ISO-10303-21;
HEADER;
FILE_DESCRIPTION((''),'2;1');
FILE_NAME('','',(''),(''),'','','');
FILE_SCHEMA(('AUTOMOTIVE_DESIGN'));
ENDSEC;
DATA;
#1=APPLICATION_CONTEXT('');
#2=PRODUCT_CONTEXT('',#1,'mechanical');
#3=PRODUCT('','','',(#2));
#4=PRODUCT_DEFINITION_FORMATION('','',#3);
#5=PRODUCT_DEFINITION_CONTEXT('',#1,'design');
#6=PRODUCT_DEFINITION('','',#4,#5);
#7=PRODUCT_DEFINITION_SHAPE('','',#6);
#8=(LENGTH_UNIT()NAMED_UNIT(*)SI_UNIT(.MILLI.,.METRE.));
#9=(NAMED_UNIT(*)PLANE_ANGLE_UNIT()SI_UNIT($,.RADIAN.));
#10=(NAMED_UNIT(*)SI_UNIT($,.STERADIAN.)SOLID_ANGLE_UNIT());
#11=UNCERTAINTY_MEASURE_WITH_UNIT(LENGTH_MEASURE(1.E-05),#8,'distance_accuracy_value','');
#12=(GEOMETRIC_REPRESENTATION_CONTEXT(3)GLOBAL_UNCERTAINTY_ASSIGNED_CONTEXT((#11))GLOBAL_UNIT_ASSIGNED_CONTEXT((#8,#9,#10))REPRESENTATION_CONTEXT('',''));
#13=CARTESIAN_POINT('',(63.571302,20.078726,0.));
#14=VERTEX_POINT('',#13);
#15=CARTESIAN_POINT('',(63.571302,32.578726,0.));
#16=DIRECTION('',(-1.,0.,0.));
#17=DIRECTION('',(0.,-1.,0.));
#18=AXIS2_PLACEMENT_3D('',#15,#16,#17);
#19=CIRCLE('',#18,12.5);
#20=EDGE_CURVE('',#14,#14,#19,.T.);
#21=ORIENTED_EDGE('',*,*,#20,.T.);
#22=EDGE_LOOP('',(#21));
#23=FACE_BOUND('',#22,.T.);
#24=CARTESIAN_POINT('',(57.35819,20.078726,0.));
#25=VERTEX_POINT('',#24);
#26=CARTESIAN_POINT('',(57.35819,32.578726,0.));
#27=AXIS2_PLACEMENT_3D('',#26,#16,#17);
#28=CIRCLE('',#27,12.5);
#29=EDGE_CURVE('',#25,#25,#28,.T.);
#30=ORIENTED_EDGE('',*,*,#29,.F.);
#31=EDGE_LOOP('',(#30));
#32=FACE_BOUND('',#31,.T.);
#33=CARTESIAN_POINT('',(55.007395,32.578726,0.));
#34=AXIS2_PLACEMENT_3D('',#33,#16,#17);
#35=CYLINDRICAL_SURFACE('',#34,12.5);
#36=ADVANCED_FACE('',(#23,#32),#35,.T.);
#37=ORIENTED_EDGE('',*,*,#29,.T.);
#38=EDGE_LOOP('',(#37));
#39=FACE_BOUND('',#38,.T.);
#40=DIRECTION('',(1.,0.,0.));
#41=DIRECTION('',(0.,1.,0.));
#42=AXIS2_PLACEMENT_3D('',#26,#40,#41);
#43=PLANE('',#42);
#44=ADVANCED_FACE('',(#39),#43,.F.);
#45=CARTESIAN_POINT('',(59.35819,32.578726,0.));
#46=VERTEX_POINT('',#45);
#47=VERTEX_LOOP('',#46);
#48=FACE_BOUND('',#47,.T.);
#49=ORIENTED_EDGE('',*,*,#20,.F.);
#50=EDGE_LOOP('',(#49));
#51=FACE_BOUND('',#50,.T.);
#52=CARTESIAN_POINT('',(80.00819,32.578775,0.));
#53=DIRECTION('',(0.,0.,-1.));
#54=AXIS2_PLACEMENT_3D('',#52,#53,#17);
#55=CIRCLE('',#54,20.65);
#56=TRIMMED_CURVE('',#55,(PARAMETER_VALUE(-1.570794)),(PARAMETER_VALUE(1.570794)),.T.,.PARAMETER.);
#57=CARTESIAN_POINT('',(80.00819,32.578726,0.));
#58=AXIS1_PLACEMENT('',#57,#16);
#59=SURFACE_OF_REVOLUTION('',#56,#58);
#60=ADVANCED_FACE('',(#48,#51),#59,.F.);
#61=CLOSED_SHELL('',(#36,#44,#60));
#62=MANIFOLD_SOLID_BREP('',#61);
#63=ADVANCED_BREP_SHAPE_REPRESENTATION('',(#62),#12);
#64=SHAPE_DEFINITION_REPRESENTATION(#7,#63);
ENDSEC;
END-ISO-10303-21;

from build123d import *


with BuildPart() as part:
    # 草图1 → 旋转1 (revolve)
    with BuildSketch(Plane.XY, mode=Mode.PRIVATE) as revolve_1_sk:
        with BuildLine():
            Line((57.358190158, 32.578725913), (57.358190158, 45.078725913))
            Line((57.358190158, 45.078725913), (63.571301862, 45.078725913))
            ThreePointArc((63.571301862, 45.078725913), (60.43980158, 39.174182298), (59.358189641, 32.578725913))
            Line((59.358189641, 32.578725913), (57.358190158, 32.578725913))
        make_face()
    revolve(revolve_1_sk.sketch.rotate(Axis((55.007394624, 32.578725913, 0), (1, 0, 0)), 180), axis=Axis((55.007394624, 32.578725913, 0), (1, 0, 0)))  # turned: the seam where the file's is


solid = part.part
